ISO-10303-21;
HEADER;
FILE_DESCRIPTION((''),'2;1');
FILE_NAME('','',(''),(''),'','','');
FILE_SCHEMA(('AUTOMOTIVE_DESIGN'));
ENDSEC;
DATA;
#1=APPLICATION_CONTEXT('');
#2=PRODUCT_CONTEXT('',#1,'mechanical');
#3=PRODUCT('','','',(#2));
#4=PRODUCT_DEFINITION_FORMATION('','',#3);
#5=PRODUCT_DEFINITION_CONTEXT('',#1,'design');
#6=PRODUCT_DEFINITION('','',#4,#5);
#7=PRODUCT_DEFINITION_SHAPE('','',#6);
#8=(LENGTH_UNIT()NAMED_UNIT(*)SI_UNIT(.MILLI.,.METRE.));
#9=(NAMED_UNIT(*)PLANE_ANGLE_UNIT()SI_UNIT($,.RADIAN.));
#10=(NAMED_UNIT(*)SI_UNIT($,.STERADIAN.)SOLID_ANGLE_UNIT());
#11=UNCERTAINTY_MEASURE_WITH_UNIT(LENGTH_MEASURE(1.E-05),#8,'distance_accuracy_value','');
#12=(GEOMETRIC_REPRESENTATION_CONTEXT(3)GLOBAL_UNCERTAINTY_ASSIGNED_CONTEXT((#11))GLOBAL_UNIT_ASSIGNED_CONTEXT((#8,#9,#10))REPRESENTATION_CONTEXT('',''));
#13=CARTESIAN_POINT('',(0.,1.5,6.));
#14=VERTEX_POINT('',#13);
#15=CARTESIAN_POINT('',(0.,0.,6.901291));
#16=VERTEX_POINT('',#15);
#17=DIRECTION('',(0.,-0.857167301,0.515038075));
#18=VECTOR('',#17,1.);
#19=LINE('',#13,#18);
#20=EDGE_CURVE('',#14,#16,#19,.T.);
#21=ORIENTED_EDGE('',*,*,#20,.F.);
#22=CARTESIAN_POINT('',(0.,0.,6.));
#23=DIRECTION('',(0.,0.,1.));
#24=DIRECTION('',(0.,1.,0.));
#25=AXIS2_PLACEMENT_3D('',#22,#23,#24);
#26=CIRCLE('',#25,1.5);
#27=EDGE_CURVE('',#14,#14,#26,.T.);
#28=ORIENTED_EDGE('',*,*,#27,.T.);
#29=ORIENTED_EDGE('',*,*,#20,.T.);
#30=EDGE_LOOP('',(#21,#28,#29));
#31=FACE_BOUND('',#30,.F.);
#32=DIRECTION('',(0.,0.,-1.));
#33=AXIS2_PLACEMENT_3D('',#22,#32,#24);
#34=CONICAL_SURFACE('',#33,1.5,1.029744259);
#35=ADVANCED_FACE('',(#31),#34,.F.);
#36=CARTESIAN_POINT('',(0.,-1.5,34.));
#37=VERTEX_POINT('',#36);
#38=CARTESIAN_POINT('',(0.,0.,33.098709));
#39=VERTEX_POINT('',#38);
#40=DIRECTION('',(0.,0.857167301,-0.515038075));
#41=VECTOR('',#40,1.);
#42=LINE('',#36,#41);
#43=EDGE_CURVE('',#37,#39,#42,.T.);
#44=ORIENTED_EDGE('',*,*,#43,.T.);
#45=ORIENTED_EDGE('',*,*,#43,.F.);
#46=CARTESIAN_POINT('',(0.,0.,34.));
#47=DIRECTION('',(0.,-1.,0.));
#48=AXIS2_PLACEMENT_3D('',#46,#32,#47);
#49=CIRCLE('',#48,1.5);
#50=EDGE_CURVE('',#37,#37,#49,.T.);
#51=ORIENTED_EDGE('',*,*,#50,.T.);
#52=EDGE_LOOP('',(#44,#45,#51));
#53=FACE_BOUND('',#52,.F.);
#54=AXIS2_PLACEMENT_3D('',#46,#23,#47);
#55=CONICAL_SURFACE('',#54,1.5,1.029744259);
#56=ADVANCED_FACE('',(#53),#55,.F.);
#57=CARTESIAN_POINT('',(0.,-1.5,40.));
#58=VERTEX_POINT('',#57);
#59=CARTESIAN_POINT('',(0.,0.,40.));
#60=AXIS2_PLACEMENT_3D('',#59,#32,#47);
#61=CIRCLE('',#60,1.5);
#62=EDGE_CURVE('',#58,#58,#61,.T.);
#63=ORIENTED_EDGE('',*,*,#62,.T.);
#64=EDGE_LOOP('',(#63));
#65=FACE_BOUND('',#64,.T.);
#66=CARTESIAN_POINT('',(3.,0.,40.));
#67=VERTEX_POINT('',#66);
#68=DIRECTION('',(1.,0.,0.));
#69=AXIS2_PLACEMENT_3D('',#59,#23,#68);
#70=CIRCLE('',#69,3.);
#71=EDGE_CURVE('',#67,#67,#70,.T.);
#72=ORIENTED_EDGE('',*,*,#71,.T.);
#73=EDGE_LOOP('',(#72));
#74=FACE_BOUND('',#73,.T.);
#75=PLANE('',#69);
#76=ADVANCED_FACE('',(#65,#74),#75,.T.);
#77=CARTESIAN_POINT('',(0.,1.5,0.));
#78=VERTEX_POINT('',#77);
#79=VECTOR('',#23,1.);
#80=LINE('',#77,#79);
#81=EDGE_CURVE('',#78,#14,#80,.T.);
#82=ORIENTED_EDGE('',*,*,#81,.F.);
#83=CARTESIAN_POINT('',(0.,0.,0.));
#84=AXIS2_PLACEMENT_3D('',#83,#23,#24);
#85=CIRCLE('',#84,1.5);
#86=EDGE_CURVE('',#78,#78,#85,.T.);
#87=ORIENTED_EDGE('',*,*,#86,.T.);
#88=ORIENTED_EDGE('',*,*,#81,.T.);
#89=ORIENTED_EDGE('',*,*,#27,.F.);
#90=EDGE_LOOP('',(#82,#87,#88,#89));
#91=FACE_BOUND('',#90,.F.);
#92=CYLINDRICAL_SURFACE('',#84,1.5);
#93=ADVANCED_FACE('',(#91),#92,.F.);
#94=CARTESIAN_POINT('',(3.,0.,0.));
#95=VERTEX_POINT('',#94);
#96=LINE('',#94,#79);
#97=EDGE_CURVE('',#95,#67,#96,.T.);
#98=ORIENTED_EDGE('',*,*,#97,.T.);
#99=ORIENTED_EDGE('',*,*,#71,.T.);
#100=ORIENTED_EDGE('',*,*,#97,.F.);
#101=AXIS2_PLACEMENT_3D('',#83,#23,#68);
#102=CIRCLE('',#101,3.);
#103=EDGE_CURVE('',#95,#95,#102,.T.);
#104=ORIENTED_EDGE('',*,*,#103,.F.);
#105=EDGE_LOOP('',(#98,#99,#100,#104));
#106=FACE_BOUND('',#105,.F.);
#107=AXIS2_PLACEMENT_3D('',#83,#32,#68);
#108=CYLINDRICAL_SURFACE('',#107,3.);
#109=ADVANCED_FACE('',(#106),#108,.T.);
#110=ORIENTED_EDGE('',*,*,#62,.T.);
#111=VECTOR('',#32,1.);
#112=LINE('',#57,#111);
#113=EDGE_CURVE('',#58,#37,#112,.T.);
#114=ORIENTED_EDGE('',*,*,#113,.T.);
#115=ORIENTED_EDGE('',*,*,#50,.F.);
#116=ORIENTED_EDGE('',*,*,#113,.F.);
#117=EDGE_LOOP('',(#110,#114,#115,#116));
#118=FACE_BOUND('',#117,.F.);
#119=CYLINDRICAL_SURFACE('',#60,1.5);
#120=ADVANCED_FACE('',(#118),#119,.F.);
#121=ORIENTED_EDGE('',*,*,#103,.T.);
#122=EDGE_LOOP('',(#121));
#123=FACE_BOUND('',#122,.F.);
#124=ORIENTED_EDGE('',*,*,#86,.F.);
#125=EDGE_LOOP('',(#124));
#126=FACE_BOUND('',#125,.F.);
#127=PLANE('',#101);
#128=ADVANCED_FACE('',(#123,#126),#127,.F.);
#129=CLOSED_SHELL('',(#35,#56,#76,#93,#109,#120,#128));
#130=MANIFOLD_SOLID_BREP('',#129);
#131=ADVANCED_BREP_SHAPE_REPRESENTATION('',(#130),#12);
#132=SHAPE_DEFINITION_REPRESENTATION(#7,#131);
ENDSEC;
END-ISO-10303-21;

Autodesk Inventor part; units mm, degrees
ref_plane "YZ Plane" through (0, 0, 0) normal (1, 0, 0) x (0, 1, 0)
ref_plane "XZ Plane" through (0, 0, 0) normal (0, 1, 0) x (-1, 0, 0)
ref_plane "XY Plane" through (0, 0, 0) normal (0, 0, 1) x (1, 0, 0)
sketch "スケッチ1" plane through (0, 0, 0) normal (0, 0, 1) x (1, 0, 0)
  circle A0 centre (0, 0) radius 3
  dimension "d0" = 6
extrude "押し出し1" add sketch "スケッチ1" along normal blind 40
hole "穴1" at (0, 0, 0) direction (0, 0, 1) diameter 3 depth 6 tip angle 118
sketch "スケッチ2" plane through (0, 0, 40) normal (0, 0, 1) x (1, 0, 0)
  circle A0 centre (0, 0) radius 3 projected
hole "穴2" at (0, 0, 40) direction (0, 0, -1) diameter 3 depth 6 tip angle 118
properties part number "スペーサ　m3-l40" material "アルミニウム 2014-T4"
